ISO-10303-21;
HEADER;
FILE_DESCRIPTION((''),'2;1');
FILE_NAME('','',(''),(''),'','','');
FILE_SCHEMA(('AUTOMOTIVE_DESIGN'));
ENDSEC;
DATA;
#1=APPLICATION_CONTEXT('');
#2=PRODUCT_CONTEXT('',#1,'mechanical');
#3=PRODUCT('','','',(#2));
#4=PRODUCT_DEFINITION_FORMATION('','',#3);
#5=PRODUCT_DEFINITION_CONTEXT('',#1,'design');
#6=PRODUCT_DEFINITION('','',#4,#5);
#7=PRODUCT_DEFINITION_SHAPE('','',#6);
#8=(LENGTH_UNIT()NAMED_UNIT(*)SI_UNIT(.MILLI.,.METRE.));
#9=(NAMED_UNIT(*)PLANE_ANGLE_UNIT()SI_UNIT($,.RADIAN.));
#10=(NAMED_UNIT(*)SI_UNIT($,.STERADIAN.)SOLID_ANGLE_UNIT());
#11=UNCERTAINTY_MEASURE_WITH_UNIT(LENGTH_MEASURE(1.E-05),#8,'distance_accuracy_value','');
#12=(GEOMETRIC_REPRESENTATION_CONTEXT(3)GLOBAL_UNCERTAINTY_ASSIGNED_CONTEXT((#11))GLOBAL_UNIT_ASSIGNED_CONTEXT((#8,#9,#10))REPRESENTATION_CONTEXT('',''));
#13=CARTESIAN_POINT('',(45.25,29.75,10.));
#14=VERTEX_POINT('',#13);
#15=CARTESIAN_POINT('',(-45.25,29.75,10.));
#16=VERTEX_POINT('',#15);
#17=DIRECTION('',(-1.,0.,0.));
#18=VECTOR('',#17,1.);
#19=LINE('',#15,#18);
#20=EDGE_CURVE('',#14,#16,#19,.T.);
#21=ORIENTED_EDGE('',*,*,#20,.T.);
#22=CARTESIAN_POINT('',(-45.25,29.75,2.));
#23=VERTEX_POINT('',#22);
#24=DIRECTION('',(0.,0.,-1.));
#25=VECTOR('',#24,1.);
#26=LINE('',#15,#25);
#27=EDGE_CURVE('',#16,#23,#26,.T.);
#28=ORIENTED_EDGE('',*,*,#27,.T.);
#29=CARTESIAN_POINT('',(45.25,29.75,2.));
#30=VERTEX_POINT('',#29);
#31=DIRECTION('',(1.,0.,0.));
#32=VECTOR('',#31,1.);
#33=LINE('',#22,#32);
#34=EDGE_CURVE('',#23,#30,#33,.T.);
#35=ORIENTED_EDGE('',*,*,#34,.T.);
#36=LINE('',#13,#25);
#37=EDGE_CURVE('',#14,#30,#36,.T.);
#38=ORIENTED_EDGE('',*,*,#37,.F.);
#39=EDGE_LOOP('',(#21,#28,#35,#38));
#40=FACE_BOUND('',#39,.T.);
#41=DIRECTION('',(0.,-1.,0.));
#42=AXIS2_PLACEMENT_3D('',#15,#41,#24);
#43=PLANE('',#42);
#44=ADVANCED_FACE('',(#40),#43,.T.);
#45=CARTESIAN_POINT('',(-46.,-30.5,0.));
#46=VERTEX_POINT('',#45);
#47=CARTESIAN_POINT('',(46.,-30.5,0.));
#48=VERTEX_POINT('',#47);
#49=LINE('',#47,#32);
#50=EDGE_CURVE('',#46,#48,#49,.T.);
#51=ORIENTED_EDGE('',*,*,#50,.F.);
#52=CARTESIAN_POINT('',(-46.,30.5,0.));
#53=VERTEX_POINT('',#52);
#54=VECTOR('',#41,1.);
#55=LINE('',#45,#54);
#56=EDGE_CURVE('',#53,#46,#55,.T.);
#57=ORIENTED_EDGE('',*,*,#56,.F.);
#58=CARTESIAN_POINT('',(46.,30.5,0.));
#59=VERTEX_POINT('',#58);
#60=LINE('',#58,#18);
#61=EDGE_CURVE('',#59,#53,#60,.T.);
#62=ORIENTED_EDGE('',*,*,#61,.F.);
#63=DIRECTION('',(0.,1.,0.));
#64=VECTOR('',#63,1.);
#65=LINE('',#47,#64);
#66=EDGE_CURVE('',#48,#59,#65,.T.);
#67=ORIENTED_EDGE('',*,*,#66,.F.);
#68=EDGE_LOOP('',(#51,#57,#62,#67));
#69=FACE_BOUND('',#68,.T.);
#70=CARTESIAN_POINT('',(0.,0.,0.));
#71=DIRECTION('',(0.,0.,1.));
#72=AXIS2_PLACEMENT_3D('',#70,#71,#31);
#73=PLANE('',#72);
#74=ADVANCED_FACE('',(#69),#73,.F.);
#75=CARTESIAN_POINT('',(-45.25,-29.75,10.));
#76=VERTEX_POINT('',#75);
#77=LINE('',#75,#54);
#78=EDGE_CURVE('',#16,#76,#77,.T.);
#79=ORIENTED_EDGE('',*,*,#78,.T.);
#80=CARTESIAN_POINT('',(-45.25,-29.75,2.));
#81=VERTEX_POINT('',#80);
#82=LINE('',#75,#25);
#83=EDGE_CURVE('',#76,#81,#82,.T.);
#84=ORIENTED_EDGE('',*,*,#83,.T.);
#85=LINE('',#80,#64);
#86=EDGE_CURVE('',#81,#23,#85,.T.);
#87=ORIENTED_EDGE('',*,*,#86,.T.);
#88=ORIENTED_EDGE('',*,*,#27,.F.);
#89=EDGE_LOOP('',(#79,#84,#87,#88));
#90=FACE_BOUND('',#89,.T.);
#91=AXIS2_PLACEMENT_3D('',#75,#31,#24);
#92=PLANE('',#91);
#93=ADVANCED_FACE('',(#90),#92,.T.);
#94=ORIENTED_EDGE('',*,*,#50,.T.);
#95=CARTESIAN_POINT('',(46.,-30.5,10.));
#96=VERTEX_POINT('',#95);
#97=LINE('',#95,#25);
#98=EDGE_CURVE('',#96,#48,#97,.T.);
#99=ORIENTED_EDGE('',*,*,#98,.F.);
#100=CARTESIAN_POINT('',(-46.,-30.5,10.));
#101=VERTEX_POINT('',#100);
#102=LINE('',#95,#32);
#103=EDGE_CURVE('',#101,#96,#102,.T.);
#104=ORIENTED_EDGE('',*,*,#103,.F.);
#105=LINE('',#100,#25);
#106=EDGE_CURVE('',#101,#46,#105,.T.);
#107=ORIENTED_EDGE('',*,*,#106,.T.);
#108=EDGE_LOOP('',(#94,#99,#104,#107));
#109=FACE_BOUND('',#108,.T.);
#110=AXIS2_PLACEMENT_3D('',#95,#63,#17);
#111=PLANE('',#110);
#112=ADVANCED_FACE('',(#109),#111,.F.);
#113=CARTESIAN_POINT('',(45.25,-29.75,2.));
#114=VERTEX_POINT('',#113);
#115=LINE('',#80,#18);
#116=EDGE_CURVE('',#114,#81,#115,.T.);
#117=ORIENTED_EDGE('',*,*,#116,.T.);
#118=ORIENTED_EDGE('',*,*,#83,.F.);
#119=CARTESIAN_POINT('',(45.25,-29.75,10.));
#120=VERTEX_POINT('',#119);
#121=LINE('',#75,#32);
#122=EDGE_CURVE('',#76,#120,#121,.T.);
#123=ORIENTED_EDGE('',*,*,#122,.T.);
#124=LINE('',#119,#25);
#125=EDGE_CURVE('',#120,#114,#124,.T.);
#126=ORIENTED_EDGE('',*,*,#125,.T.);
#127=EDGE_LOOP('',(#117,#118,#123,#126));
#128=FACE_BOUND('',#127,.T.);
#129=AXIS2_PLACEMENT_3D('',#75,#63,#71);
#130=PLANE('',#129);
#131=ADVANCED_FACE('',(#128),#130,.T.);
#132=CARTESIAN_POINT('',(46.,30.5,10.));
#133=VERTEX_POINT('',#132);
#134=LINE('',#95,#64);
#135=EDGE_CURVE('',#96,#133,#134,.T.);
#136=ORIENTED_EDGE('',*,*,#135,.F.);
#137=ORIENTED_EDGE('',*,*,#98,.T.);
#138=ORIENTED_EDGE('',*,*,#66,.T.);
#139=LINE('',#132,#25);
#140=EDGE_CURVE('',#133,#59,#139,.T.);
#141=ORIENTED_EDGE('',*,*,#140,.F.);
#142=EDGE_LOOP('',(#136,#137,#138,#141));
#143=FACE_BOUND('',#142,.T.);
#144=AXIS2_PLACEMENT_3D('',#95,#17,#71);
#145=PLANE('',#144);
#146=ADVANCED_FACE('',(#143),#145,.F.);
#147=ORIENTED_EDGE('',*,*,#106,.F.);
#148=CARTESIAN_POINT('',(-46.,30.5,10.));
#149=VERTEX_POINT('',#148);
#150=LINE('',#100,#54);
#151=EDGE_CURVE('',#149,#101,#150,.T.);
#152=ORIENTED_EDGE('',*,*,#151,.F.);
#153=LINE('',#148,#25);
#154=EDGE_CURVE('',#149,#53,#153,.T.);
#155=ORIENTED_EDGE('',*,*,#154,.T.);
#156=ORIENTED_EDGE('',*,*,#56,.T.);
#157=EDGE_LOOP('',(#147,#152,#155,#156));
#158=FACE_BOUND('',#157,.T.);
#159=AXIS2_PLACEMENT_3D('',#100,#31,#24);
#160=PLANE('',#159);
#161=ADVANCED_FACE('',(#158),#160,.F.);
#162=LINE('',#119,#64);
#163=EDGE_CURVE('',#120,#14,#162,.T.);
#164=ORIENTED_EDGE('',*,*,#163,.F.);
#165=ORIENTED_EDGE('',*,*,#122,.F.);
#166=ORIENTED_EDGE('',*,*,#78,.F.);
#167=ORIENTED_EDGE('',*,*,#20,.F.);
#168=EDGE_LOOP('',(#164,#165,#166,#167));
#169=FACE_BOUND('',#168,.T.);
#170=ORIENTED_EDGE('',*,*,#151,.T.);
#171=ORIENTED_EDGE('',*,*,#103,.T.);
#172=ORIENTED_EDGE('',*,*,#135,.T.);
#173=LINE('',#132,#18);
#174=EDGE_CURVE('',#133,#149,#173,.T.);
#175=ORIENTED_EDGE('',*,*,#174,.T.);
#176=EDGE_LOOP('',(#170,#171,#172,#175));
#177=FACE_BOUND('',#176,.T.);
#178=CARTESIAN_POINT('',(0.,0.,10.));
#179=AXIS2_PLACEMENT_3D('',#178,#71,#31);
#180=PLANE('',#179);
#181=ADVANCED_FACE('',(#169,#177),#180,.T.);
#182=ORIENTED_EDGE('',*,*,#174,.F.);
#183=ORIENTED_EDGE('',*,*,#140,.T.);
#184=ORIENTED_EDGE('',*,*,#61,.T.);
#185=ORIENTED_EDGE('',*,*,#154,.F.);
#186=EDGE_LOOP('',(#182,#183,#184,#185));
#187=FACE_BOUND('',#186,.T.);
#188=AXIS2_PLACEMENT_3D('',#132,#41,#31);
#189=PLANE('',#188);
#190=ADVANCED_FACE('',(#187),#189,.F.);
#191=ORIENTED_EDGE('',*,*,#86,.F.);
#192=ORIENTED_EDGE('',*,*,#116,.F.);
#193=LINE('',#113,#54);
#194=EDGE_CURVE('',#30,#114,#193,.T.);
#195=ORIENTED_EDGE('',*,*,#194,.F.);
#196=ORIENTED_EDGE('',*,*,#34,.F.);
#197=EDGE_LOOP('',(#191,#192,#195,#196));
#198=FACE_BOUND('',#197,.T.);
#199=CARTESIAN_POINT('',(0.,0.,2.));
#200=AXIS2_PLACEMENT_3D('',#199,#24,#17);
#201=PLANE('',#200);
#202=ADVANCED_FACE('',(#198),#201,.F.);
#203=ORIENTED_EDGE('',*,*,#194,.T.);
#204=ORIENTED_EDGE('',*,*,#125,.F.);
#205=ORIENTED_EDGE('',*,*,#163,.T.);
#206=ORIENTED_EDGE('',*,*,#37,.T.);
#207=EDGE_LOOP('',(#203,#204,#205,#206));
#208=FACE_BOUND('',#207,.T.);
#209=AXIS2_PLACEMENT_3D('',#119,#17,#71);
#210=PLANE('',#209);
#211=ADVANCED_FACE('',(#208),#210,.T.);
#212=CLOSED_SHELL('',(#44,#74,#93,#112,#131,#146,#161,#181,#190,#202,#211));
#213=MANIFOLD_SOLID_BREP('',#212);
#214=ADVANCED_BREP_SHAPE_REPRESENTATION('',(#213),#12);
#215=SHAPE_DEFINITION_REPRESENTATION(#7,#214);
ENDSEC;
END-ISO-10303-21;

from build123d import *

# Parameters (mm, degrees)
SKETCH1_W           = 92
SKETCH1_H           = 61
SKETCH1_W_2         = 90.5
SKETCH1_H_2         = 59.5
BOSS_EXTRUDE1_DEPTH = 10
SKETCH2_W           = 92
SKETCH2_H           = 61
BOSS_EXTRUDE2_DEPTH = 2


with BuildPart() as part:
    # Sketch1 → Boss-Extrude1 (new body)
    with BuildSketch(Plane.XY):
        Rectangle(SKETCH1_W, SKETCH1_H)
        Rectangle(SKETCH1_W_2, SKETCH1_H_2, mode=Mode.SUBTRACT)
    extrude(amount=BOSS_EXTRUDE1_DEPTH)

    # Sketch2 → Boss-Extrude2 (add)
    with BuildSketch(Plane.XY):
        Rectangle(SKETCH2_W, SKETCH2_H)
    extrude(amount=BOSS_EXTRUDE2_DEPTH)


solid = part.part
